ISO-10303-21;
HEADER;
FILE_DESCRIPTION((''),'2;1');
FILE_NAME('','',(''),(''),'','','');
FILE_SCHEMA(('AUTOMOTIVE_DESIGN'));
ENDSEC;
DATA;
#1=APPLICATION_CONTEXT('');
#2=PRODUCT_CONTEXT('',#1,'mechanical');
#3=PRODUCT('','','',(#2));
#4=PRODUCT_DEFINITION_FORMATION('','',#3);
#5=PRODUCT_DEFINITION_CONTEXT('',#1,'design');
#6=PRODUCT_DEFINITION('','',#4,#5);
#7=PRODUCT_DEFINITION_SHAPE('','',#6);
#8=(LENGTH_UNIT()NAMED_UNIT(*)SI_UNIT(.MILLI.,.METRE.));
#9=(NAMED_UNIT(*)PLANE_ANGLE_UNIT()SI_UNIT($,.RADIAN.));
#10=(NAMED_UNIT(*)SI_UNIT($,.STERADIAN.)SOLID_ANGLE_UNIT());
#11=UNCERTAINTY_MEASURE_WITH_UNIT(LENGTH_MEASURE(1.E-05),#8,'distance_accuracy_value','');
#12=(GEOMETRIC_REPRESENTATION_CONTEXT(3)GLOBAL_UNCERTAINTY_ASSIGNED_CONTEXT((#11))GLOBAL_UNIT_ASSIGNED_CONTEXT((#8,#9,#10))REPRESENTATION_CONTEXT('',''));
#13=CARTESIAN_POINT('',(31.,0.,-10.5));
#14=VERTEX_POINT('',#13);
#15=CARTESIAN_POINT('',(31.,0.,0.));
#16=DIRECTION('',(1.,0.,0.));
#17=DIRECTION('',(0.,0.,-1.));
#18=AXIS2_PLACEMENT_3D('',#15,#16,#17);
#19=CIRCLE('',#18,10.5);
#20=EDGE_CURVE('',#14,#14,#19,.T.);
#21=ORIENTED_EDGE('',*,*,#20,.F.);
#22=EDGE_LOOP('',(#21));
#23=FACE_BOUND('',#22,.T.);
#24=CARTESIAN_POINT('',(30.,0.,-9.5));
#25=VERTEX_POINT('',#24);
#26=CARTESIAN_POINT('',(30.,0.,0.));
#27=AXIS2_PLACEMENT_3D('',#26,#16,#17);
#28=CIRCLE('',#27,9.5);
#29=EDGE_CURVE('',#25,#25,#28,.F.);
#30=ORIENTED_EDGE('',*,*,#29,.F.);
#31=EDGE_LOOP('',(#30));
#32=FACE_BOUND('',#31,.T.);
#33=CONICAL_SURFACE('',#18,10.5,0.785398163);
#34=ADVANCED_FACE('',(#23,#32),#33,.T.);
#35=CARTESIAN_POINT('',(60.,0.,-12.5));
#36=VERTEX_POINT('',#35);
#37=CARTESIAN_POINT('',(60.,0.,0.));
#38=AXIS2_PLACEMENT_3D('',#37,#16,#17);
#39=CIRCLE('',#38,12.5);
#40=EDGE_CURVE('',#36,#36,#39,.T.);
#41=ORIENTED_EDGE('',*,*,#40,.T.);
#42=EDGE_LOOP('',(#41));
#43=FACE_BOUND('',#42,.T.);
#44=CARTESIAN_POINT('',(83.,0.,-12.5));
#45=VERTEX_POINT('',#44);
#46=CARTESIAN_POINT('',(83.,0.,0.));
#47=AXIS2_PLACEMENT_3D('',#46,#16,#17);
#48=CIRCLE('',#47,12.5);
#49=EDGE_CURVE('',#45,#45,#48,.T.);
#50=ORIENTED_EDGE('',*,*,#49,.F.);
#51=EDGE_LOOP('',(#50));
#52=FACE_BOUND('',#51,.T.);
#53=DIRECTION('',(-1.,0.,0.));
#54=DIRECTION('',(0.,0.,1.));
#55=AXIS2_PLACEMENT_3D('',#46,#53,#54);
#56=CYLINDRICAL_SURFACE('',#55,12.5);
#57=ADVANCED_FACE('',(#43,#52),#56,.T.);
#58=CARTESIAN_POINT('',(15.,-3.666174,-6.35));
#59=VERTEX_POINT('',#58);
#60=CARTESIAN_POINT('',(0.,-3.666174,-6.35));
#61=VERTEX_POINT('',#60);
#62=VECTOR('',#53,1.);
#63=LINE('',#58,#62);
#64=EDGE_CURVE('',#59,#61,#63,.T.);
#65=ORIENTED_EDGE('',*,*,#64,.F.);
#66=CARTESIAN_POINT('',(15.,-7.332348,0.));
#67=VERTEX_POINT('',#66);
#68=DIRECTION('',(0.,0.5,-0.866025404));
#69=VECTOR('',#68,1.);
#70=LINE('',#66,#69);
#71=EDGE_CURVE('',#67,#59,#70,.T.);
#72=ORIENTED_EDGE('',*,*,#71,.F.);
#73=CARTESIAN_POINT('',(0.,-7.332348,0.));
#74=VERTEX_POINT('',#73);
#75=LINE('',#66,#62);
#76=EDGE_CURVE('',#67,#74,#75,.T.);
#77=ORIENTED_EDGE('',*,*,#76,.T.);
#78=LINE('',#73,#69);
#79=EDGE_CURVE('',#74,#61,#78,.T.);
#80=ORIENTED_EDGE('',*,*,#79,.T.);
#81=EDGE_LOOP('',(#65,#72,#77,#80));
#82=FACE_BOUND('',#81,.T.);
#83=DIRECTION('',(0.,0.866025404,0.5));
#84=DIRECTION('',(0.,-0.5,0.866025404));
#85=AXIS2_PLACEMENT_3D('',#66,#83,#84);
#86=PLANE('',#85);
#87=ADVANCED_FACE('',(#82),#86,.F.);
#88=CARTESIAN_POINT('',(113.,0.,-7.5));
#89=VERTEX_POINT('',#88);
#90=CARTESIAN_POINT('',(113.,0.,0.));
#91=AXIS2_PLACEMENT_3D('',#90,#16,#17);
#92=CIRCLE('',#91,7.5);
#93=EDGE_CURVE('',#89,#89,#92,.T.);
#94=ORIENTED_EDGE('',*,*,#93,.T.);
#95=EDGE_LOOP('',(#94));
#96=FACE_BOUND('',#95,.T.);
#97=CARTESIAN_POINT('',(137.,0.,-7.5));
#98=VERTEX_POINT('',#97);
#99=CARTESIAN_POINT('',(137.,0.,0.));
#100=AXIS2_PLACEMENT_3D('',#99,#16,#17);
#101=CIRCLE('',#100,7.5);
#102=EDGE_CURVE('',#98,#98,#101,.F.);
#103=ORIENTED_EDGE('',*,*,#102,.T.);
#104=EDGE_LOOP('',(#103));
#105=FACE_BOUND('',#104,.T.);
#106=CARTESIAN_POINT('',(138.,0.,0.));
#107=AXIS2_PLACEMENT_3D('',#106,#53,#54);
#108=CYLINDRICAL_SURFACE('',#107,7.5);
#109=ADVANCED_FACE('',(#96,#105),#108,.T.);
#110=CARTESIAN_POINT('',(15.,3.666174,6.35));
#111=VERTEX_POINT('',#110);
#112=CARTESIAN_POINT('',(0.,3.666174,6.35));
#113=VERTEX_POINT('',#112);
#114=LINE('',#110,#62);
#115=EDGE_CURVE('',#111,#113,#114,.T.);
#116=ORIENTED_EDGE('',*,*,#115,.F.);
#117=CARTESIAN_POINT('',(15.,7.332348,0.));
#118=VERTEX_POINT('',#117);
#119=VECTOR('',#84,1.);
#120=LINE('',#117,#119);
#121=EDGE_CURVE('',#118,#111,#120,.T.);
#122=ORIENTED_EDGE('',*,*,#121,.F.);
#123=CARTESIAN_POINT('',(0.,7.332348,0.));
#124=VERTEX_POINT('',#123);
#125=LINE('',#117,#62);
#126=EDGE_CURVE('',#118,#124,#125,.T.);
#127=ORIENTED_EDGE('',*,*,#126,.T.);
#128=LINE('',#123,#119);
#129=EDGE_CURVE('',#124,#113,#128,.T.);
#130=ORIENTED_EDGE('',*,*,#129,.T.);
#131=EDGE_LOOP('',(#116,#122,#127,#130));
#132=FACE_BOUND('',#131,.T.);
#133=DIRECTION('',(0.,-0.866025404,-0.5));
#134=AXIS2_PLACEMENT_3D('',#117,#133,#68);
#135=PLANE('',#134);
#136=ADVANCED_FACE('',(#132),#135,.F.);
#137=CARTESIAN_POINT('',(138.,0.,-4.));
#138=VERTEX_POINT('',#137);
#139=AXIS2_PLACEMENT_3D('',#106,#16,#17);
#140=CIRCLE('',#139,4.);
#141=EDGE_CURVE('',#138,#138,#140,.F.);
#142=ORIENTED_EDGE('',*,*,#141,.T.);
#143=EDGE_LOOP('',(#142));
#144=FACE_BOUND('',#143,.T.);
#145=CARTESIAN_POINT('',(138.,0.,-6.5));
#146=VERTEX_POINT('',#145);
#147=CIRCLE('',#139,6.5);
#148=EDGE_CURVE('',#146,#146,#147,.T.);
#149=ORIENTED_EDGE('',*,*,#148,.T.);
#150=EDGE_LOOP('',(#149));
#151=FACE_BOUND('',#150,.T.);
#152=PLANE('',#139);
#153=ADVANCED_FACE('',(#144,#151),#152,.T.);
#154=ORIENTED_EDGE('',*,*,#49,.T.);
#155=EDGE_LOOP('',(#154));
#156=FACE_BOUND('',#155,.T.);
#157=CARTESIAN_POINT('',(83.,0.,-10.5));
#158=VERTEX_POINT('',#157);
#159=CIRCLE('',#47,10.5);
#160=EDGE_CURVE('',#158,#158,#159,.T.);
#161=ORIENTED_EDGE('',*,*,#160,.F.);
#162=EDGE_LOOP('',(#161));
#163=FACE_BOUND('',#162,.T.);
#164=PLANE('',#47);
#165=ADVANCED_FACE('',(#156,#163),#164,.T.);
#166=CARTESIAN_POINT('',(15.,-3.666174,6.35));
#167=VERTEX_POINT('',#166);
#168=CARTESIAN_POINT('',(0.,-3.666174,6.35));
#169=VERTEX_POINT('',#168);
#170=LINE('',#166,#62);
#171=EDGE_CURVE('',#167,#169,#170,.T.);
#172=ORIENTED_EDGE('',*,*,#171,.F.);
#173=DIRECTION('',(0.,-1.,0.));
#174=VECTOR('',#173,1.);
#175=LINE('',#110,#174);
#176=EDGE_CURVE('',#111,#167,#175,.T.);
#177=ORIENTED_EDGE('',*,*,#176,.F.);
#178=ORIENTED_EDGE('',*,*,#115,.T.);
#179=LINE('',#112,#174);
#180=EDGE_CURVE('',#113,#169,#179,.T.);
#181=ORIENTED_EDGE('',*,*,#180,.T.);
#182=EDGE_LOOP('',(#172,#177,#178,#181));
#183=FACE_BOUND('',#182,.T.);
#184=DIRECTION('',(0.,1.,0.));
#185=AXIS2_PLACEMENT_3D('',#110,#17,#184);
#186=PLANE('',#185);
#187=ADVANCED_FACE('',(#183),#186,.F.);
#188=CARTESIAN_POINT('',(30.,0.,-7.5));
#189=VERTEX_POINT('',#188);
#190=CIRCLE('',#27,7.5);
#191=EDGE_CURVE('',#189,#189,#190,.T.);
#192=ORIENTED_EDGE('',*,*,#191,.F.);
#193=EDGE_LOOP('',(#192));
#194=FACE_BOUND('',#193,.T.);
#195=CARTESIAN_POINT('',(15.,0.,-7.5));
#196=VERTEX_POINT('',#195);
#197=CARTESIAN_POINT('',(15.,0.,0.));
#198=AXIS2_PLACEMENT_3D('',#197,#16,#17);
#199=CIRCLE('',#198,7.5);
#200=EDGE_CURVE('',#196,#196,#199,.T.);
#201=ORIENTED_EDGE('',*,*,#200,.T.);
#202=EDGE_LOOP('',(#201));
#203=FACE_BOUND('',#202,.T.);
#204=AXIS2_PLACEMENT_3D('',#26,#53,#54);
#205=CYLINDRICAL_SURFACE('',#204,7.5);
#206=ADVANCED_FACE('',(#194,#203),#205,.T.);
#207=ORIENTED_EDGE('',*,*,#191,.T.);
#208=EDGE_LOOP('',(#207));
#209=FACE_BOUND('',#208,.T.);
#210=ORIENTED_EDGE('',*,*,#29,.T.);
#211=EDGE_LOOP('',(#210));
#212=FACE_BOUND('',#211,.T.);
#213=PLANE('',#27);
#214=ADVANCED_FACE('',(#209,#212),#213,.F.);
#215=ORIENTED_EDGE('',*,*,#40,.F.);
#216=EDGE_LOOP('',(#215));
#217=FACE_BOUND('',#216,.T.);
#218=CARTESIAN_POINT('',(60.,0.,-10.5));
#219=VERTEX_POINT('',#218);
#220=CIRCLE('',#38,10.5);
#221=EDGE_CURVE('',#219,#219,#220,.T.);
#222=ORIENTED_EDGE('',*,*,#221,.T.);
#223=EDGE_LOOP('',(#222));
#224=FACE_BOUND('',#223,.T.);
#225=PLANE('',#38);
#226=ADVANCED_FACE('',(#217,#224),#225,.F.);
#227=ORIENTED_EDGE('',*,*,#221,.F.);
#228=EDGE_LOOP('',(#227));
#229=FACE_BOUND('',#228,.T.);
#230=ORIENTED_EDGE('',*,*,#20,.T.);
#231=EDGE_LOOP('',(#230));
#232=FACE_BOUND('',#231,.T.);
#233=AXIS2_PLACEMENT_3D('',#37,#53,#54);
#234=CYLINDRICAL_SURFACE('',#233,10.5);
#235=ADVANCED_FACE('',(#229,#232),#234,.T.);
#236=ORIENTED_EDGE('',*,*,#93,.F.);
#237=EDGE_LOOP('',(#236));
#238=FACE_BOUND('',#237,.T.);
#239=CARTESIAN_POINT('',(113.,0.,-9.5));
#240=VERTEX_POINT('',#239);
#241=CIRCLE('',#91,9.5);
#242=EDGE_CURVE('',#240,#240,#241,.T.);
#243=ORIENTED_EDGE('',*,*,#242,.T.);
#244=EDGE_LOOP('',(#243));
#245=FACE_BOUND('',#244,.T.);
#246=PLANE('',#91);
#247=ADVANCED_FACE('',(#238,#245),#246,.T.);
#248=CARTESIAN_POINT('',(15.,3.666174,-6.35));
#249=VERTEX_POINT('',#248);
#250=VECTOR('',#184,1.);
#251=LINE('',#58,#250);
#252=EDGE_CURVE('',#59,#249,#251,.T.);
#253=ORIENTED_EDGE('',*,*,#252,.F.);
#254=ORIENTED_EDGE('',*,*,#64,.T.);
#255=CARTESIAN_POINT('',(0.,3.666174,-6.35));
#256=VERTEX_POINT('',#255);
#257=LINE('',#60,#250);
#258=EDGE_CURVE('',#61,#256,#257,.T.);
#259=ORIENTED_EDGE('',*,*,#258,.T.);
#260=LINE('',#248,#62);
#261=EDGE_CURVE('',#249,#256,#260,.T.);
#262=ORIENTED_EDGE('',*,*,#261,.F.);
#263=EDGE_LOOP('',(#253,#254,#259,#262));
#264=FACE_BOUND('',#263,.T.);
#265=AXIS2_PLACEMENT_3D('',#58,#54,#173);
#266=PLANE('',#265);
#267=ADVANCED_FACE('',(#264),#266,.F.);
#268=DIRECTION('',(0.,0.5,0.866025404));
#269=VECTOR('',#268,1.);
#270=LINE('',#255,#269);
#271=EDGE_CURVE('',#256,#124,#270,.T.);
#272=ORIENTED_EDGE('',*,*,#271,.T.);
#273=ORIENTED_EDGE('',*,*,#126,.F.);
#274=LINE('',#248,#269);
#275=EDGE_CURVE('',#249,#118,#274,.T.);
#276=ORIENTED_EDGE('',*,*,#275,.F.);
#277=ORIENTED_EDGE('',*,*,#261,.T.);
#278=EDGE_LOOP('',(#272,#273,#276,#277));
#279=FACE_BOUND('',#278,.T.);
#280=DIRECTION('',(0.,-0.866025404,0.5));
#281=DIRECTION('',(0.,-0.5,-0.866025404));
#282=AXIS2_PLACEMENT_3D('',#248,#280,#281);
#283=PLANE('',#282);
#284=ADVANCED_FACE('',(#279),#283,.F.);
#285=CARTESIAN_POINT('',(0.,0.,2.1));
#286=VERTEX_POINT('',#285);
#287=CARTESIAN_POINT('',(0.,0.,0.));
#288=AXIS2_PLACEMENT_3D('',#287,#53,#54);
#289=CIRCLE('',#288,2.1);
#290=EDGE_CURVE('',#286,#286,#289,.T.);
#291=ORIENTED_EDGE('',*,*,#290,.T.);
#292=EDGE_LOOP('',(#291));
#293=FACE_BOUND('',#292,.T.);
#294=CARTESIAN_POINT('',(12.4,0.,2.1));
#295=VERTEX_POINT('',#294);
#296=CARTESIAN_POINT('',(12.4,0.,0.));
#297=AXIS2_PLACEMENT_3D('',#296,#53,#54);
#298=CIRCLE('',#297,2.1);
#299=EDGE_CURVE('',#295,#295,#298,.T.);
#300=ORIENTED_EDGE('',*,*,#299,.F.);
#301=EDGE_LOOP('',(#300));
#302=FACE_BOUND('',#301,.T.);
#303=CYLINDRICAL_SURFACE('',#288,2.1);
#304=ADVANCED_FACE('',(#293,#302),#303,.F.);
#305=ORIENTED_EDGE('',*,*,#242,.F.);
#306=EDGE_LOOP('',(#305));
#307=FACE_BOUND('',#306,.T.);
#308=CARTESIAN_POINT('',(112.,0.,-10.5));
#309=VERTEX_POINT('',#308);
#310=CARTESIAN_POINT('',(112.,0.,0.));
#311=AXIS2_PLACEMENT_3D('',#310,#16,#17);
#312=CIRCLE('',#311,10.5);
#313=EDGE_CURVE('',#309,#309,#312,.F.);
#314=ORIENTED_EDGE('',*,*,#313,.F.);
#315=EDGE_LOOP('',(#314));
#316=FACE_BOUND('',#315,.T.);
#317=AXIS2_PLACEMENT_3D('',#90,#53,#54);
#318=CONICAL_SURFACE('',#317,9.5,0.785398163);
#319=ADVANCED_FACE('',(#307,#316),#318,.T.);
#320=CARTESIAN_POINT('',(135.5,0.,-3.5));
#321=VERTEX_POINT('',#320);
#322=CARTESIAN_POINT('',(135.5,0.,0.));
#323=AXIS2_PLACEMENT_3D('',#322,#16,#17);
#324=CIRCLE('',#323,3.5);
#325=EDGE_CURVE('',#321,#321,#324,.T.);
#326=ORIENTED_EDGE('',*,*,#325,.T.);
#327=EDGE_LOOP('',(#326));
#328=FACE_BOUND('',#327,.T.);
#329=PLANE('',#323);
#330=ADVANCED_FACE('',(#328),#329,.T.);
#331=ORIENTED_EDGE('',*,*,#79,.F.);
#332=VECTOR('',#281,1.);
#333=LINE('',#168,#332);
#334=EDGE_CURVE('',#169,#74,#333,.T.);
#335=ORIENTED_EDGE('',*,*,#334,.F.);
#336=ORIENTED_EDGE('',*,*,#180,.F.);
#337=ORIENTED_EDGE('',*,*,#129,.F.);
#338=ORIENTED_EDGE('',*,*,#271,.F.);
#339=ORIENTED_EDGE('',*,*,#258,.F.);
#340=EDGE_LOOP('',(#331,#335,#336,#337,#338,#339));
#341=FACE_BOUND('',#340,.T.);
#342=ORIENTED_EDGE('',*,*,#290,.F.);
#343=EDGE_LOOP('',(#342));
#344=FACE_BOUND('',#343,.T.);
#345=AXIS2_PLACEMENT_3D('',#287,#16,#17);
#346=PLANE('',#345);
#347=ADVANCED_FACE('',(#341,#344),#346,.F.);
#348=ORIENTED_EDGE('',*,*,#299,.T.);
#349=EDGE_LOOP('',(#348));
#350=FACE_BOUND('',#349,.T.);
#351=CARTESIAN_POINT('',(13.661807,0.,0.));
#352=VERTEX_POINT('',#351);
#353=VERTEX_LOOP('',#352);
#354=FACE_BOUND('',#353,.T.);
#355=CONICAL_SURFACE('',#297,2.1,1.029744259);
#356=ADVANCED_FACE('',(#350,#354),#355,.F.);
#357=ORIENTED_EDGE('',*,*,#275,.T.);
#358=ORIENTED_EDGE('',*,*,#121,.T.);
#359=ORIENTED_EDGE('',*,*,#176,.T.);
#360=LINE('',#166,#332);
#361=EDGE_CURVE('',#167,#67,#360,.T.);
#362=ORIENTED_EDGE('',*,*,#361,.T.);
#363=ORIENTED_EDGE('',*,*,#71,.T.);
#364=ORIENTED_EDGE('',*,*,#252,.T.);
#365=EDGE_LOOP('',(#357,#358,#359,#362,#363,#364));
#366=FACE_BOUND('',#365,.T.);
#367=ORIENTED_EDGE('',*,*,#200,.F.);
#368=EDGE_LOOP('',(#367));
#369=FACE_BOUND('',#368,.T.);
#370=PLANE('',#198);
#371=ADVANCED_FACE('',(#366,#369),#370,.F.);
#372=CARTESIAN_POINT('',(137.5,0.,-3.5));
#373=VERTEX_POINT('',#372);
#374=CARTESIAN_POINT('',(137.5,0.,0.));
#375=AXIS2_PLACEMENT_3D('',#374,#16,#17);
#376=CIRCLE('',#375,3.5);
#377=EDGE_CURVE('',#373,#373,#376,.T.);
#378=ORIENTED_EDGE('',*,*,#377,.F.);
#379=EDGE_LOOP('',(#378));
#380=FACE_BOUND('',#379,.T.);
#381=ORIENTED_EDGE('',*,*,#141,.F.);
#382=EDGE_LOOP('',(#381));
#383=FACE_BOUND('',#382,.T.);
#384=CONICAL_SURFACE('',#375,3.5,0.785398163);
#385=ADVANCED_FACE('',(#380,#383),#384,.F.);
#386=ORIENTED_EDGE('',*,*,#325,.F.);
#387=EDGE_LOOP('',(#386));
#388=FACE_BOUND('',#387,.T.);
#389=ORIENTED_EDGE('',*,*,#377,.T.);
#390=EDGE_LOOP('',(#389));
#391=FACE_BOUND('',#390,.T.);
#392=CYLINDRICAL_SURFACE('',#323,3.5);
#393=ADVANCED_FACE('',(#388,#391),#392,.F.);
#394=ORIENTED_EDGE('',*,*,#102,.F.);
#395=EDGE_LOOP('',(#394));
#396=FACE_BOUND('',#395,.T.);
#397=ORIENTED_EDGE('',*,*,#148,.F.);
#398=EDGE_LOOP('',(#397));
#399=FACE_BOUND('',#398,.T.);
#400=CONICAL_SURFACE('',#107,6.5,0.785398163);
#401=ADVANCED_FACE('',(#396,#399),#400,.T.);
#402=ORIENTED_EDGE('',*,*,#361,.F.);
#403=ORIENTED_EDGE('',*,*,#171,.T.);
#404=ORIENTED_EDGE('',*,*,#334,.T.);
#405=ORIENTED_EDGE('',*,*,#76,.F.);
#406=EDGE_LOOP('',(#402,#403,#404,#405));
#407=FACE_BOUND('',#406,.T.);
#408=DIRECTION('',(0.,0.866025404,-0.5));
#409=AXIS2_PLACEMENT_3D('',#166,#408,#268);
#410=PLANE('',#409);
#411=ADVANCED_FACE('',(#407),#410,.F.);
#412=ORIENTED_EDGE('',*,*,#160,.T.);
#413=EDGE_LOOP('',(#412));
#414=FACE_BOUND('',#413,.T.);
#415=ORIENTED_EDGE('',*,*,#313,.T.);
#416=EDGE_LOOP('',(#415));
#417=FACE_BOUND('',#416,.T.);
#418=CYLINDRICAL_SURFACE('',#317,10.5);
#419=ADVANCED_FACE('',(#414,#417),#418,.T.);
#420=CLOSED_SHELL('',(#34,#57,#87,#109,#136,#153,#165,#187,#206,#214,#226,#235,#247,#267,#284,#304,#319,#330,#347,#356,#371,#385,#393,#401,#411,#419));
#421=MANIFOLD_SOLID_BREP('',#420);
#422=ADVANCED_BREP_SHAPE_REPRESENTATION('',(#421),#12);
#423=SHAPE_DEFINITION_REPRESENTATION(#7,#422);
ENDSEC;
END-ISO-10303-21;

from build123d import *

# Parameters (mm, degrees)
EXTRUDE_1_DEPTH     = 15
M5X0_8_1_D          = 4.2
M5X0_8_1_DEPTH      = 12.4
M5X0_8_1_TIP        = 1.2618073
SKETCH_5_R          = 7.5
EXTRUDE_2_DEPTH     = 15
SKETCH_6_R          = 10.5
EXTRUDE_3_DEPTH     = 30
SKETCH_7_R          = 12.5
EXTRUDE_4_DEPTH     = 23
SKETCH_8_R          = 10.5
EXTRUDE_5_DEPTH     = 30
CHAMFER_1_SIZE      = 1
CHAMFER_2_SIZE      = 1
SKETCH_9_R          = 7.5
EXTRUDE_6_DEPTH     = 25
CHAMFER_3_SIZE      = 1
SKETCH_10_R         = 3.5
CUT_EXTRUDE_1_DEPTH = 2.5
CHAMFER_4_SIZE      = 0.5


with BuildPart() as part:
    # 草图1 → 凸台-拉伸1 (new body)
    with BuildSketch(Plane(origin=(0, 0, 0), x_dir=(0, 0, -1), z_dir=(1, 0, 0))):
        Polygon((0, -7.332348419), (6.35, -3.666174209), (6.35, 3.666174209), (0, 7.332348419), (-6.35, 3.666174209), (-6.35, -3.666174209), align=None)
    extrude(amount=EXTRUDE_1_DEPTH)

    # M5x0.8 螺纹孔1
    with Locations(Plane.ZY):
        with Locations((0, 0)):
            Hole(M5X0_8_1_D / 2, depth=M5X0_8_1_DEPTH)
            with Locations((0, 0, -(M5X0_8_1_DEPTH + M5X0_8_1_TIP / 2))):  # 118° drill point
                Cone(0, M5X0_8_1_D / 2, M5X0_8_1_TIP, mode=Mode.SUBTRACT)

    # 草图5 → 凸台-拉伸2 (add)
    with BuildSketch(Plane(origin=(15, 0, 0), x_dir=(0, 0, -1), z_dir=(1, 0, 0))):
        Circle(SKETCH_5_R)
    extrude(amount=EXTRUDE_2_DEPTH)

    # 草图6 → 凸台-拉伸3 (add)
    with BuildSketch(Plane(origin=(30, 0, 0), x_dir=(0, 0, -1), z_dir=(1, 0, 0))):
        Circle(SKETCH_6_R)
    extrude(amount=EXTRUDE_3_DEPTH)

    # 草图7 → 凸台-拉伸4 (add)
    with BuildSketch(Plane(origin=(60, 0, 0), x_dir=(0, 0, -1), z_dir=(1, 0, 0))):
        Circle(SKETCH_7_R)
    extrude(amount=EXTRUDE_4_DEPTH)

    # 草图8 → 凸台-拉伸5 (add)
    with BuildSketch(Plane(origin=(83, 0, 0), x_dir=(0, 0, -1), z_dir=(1, 0, 0))):
        Circle(SKETCH_8_R)
    extrude(amount=EXTRUDE_5_DEPTH)

    # 倒角1
    chamfer_1_edges = [part.edges().sort_by_distance(p)[0] for p in [
        (30, 0, 10.5),
    ]]
    chamfer(chamfer_1_edges, length=CHAMFER_1_SIZE)

    # 倒角2
    chamfer_2_edges = [part.edges().sort_by_distance(p)[0] for p in [
        (113, 0, 10.5),
    ]]
    chamfer(chamfer_2_edges, length=CHAMFER_2_SIZE)

    # 草图9 → 凸台-拉伸6 (add)
    with BuildSketch(Plane(origin=(113, 0, 0), x_dir=(0, 0, -1), z_dir=(1, 0, 0))):
        Circle(SKETCH_9_R)
    extrude(amount=EXTRUDE_6_DEPTH)

    # 倒角3
    chamfer_3_edges = [part.edges().sort_by_distance(p)[0] for p in [
        (138, 0, 7.5),
    ]]
    chamfer(chamfer_3_edges, length=CHAMFER_3_SIZE)

    # 草图10 → 切除-拉伸1 (cut)
    with BuildSketch(Plane(origin=(138, 0, 0), x_dir=(0, 0, -1), z_dir=(1, 0, 0))):
        Circle(SKETCH_10_R)
    extrude(amount=-CUT_EXTRUDE_1_DEPTH, mode=Mode.SUBTRACT)

    # 倒角4
    chamfer_4_edges = [part.edges().sort_by_distance(p)[0] for p in [
        (138, 0, 3.5),
    ]]
    chamfer(chamfer_4_edges, length=CHAMFER_4_SIZE)


solid = part.part
